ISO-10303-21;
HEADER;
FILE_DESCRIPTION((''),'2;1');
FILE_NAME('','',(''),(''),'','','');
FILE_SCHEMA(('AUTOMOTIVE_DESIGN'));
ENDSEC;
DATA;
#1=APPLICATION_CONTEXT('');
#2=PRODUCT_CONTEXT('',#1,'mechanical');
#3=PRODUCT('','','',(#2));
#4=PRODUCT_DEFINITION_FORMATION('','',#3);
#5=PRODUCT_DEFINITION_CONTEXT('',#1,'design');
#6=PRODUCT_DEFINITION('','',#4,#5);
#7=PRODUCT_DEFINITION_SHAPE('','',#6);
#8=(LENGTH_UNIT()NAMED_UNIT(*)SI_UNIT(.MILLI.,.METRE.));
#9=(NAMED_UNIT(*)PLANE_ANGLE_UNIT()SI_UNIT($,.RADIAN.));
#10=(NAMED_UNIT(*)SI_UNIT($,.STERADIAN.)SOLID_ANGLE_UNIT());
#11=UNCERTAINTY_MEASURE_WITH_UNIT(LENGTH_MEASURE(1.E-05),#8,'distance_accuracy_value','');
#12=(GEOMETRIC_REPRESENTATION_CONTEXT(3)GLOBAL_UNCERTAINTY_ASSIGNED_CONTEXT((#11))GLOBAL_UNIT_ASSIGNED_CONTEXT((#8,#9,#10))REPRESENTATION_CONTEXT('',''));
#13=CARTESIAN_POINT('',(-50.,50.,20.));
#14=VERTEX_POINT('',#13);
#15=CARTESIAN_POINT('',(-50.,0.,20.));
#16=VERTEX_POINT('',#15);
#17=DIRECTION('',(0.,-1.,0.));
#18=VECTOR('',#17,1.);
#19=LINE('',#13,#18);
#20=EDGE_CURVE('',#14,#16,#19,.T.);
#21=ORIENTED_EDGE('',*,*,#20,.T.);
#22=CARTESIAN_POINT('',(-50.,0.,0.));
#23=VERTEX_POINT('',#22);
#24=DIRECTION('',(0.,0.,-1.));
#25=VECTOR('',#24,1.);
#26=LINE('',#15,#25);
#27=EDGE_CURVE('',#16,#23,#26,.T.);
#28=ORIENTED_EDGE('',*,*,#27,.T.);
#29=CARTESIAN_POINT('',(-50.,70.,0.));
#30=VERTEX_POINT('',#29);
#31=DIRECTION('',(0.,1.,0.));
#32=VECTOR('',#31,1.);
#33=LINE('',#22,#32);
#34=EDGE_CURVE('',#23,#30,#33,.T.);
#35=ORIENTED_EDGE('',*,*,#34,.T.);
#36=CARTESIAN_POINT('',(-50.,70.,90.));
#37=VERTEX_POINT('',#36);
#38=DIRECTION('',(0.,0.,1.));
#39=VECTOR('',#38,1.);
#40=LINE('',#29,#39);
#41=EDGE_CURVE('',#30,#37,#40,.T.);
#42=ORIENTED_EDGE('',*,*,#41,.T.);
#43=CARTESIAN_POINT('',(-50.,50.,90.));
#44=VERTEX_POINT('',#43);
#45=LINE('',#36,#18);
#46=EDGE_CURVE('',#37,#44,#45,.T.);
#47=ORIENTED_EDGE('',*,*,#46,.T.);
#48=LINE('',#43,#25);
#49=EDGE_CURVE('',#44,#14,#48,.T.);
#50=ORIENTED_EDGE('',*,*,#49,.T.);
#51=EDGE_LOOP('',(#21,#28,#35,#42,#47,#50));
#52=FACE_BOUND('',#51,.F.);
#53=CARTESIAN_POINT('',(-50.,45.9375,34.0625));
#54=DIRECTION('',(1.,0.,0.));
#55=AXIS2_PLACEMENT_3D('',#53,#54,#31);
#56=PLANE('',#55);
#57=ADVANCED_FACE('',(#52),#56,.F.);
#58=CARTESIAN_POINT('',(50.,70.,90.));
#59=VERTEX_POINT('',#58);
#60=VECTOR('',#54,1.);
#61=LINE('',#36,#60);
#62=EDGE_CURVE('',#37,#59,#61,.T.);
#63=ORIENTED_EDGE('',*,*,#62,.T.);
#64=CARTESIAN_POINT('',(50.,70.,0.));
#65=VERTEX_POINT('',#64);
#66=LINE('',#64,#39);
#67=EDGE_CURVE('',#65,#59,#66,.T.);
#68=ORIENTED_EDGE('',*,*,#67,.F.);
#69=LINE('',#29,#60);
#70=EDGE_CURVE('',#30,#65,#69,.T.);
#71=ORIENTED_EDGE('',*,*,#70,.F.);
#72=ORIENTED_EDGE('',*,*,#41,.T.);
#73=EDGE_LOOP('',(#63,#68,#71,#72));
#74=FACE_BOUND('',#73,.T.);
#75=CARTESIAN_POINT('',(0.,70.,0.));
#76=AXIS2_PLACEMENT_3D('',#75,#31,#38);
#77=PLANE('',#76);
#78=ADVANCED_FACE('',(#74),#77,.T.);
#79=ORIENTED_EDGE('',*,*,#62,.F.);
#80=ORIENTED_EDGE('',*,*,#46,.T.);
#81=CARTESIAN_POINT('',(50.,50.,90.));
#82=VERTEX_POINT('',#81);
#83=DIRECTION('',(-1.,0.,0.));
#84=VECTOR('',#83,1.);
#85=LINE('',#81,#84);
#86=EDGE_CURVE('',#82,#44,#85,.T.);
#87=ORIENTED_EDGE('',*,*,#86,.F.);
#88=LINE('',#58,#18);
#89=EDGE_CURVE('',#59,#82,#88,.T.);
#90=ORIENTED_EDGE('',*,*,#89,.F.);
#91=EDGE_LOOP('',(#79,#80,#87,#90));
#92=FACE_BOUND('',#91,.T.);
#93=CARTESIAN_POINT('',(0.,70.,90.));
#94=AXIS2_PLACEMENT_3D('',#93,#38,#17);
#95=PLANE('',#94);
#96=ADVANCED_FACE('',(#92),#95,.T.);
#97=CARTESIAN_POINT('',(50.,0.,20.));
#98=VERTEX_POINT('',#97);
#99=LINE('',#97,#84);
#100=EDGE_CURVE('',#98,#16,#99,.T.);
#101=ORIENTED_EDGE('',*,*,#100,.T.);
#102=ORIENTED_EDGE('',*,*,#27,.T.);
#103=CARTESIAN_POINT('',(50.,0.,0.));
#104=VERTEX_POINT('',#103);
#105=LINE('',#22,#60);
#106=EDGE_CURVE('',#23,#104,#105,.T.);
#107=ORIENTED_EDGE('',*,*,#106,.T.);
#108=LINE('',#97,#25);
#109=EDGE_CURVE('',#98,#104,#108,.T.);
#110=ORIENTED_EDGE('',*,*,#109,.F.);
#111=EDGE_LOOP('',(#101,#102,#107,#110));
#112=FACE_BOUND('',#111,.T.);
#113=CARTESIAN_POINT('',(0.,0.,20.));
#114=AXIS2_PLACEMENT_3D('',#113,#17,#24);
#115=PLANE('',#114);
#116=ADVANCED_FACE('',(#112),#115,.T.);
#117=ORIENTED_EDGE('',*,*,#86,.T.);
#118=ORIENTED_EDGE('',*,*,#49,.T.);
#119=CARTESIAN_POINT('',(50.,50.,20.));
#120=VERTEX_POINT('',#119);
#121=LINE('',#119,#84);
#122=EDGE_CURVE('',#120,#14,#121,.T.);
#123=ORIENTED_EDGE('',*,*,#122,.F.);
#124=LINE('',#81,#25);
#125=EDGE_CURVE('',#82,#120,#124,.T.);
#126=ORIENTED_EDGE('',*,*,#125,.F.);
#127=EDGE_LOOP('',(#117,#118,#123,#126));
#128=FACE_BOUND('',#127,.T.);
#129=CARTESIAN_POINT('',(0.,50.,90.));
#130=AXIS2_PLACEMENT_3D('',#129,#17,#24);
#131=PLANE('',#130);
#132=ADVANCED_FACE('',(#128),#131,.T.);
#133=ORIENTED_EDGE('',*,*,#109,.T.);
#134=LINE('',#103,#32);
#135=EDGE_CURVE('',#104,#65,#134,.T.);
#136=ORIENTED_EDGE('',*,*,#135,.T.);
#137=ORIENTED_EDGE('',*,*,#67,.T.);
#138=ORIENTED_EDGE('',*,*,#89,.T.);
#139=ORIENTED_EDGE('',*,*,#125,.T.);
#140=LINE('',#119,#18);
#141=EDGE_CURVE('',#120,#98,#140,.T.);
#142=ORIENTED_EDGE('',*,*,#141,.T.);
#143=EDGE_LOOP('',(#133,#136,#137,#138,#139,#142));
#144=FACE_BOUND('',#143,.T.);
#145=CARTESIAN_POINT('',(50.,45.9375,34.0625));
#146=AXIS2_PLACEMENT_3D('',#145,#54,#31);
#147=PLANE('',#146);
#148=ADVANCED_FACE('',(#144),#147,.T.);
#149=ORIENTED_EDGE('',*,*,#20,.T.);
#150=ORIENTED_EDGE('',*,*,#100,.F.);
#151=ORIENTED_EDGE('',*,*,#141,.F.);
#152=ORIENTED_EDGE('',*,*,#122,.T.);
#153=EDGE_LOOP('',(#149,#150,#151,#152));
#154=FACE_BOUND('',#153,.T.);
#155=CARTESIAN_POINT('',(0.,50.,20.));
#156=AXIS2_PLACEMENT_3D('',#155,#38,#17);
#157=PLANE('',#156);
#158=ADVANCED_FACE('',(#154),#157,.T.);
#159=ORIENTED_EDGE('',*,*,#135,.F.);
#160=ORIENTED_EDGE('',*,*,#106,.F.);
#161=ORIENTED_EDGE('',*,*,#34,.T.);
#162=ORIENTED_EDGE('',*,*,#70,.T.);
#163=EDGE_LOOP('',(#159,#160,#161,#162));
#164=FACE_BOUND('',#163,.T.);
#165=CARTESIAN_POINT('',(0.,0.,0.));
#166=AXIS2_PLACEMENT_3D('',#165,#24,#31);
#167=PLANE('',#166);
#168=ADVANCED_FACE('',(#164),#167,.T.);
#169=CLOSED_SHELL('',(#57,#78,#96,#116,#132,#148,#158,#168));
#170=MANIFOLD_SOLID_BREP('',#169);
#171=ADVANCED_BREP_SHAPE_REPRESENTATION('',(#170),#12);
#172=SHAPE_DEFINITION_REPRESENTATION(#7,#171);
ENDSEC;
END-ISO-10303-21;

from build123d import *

# Parameters (mm, degrees)
F1_DEPTH      = 50
F1_DEPTH_BACK = 50


with BuildPart() as f1:
    # F0 (on Right) → F1 (new body, two sides)
    with BuildSketch(Plane.YZ) as f1_sk:
        Polygon((0, 20), (0, 0), (70, 0), (70, 90), (50, 90), (50, 20), align=None)
    extrude(amount=F1_DEPTH)
    extrude(f1_sk.sketch, amount=-F1_DEPTH_BACK)


solid = f1.part
